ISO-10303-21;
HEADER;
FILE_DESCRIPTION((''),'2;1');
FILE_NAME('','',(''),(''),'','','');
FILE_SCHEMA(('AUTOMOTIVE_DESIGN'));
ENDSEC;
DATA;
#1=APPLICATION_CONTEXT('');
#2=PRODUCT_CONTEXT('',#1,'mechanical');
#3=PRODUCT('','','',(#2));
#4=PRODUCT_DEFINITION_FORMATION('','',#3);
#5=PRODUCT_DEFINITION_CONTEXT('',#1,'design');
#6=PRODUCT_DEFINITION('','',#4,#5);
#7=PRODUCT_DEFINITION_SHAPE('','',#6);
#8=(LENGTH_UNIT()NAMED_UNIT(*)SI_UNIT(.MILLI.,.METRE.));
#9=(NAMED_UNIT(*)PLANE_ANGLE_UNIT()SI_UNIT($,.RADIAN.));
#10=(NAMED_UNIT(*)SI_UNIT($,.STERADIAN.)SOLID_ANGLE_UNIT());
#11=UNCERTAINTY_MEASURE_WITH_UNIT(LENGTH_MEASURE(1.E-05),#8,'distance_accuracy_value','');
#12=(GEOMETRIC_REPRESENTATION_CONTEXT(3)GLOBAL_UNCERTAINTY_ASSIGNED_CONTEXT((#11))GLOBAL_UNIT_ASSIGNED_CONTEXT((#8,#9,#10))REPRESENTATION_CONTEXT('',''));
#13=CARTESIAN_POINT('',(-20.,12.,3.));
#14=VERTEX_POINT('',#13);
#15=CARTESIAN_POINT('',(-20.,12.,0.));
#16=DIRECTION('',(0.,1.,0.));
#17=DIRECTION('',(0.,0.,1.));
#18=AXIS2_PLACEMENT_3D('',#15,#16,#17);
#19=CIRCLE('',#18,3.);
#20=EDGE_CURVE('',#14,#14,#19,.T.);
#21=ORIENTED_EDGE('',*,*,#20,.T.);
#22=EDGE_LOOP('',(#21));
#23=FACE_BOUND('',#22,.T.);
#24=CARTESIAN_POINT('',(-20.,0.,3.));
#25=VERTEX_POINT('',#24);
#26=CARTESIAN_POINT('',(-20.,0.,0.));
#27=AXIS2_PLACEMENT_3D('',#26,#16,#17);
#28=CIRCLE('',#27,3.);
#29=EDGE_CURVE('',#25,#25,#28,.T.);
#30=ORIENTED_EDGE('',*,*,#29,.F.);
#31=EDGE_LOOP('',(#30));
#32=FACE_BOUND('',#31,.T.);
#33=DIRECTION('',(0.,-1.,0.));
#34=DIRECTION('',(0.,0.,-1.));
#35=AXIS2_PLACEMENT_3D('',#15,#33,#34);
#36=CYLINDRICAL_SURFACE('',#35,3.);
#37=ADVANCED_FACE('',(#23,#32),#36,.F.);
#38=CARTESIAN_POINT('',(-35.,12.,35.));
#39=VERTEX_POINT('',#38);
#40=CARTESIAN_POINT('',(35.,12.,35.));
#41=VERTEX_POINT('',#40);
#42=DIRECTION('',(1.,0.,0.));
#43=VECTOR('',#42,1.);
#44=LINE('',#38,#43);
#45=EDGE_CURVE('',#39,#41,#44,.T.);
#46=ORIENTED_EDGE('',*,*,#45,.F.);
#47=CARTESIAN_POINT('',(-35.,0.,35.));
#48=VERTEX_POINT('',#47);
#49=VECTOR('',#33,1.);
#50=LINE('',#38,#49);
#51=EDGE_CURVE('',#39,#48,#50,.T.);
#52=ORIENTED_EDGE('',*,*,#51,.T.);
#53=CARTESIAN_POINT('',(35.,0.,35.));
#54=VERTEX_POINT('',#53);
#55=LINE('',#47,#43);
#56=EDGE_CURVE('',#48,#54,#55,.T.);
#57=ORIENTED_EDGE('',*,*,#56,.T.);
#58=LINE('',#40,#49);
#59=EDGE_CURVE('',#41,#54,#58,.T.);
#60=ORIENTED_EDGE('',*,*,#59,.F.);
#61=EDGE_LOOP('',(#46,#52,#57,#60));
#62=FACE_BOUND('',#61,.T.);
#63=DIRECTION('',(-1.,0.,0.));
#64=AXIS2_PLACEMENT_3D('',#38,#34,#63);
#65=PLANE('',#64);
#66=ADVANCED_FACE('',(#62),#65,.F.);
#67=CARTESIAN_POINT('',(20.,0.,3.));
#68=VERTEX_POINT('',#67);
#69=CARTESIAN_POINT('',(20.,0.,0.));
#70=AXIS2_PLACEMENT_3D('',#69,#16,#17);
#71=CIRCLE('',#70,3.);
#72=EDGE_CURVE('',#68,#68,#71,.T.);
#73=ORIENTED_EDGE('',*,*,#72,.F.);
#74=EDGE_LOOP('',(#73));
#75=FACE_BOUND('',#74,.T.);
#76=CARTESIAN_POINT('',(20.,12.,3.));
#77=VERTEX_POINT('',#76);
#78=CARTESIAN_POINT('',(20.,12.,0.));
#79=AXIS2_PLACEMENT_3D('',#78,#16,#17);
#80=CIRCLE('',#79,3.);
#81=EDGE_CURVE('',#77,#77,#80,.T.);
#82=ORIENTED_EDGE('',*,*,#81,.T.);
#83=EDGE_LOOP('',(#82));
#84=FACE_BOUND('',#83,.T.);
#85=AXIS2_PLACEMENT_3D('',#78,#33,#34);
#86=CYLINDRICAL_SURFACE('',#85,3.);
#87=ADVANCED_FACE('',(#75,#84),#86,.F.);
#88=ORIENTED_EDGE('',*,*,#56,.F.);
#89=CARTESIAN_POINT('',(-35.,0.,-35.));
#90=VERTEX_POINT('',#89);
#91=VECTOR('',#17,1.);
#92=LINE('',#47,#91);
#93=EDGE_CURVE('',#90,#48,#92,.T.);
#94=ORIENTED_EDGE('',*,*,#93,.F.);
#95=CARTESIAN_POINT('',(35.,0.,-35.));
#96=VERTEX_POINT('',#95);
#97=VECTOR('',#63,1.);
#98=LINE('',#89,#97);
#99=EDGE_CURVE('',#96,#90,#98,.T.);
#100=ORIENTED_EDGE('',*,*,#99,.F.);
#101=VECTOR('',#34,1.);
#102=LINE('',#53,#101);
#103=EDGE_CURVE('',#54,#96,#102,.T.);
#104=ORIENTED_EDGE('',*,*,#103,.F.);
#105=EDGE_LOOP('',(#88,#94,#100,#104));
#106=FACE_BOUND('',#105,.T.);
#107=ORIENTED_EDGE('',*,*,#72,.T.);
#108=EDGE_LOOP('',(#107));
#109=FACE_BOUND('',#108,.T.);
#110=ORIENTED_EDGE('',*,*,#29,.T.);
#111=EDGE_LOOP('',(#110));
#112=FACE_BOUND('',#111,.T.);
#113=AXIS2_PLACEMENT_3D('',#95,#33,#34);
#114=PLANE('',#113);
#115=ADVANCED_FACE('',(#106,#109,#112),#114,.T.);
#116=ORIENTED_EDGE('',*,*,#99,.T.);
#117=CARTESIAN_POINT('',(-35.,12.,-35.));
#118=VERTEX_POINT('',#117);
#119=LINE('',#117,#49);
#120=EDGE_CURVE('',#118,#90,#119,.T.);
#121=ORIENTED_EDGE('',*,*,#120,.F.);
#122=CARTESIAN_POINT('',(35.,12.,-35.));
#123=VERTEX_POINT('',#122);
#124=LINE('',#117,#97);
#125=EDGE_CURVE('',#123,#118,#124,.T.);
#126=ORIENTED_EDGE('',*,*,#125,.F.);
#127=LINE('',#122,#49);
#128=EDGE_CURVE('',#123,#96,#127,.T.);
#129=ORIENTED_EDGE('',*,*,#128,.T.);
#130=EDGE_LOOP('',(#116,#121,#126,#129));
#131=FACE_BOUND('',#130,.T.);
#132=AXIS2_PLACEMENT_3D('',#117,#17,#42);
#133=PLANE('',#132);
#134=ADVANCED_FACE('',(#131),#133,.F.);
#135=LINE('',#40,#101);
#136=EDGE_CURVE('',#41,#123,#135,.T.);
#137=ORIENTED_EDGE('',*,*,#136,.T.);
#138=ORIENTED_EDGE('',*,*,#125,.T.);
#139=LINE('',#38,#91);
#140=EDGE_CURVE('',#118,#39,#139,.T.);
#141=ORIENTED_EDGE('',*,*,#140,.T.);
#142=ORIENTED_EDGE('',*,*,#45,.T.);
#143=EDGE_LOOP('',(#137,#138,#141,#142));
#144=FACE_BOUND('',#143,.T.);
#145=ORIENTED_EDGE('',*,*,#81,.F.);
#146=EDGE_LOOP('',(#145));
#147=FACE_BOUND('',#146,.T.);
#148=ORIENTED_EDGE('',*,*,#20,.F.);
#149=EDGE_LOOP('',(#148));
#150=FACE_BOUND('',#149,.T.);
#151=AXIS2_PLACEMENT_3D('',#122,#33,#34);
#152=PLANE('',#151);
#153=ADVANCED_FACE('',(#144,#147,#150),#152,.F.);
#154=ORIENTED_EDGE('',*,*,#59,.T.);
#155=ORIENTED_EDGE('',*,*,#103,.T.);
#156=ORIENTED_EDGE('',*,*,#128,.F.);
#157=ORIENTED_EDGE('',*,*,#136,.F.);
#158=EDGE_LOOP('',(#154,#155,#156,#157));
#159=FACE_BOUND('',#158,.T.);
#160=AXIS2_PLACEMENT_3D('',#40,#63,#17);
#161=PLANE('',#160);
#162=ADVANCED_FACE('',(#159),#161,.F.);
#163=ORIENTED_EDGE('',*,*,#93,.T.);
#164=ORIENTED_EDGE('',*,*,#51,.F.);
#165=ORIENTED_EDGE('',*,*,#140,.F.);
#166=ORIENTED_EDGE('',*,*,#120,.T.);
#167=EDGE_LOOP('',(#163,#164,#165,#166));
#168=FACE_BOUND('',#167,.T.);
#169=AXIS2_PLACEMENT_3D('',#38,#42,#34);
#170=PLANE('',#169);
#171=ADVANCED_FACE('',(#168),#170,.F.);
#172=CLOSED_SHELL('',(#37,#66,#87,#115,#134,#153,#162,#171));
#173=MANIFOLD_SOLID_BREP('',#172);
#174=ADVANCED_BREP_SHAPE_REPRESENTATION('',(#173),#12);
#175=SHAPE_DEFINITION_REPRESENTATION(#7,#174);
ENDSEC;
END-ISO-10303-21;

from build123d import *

# Parameters (mm, degrees)
SKETCH1_W           = 70
SKETCH1_H           = 70
SKETCH1_R           = 3
BOSS_EXTRUDE1_DEPTH = 12


with BuildPart() as part:
    # Sketch1 → Boss-Extrude1 (new body)
    with BuildSketch(Plane(origin=(0, 0, 0), x_dir=(1, 0, 0), z_dir=(0, 1, 0))):
        Rectangle(SKETCH1_W, SKETCH1_H)
        with Locations(Location((-20, 0, 0), (0, 0, 270))):
            Circle(SKETCH1_R, mode=Mode.SUBTRACT)
        with Locations(Location((20, 0, 0), (0, 0, 270))):
            Circle(SKETCH1_R, mode=Mode.SUBTRACT)
    extrude(amount=BOSS_EXTRUDE1_DEPTH)


solid = part.part
